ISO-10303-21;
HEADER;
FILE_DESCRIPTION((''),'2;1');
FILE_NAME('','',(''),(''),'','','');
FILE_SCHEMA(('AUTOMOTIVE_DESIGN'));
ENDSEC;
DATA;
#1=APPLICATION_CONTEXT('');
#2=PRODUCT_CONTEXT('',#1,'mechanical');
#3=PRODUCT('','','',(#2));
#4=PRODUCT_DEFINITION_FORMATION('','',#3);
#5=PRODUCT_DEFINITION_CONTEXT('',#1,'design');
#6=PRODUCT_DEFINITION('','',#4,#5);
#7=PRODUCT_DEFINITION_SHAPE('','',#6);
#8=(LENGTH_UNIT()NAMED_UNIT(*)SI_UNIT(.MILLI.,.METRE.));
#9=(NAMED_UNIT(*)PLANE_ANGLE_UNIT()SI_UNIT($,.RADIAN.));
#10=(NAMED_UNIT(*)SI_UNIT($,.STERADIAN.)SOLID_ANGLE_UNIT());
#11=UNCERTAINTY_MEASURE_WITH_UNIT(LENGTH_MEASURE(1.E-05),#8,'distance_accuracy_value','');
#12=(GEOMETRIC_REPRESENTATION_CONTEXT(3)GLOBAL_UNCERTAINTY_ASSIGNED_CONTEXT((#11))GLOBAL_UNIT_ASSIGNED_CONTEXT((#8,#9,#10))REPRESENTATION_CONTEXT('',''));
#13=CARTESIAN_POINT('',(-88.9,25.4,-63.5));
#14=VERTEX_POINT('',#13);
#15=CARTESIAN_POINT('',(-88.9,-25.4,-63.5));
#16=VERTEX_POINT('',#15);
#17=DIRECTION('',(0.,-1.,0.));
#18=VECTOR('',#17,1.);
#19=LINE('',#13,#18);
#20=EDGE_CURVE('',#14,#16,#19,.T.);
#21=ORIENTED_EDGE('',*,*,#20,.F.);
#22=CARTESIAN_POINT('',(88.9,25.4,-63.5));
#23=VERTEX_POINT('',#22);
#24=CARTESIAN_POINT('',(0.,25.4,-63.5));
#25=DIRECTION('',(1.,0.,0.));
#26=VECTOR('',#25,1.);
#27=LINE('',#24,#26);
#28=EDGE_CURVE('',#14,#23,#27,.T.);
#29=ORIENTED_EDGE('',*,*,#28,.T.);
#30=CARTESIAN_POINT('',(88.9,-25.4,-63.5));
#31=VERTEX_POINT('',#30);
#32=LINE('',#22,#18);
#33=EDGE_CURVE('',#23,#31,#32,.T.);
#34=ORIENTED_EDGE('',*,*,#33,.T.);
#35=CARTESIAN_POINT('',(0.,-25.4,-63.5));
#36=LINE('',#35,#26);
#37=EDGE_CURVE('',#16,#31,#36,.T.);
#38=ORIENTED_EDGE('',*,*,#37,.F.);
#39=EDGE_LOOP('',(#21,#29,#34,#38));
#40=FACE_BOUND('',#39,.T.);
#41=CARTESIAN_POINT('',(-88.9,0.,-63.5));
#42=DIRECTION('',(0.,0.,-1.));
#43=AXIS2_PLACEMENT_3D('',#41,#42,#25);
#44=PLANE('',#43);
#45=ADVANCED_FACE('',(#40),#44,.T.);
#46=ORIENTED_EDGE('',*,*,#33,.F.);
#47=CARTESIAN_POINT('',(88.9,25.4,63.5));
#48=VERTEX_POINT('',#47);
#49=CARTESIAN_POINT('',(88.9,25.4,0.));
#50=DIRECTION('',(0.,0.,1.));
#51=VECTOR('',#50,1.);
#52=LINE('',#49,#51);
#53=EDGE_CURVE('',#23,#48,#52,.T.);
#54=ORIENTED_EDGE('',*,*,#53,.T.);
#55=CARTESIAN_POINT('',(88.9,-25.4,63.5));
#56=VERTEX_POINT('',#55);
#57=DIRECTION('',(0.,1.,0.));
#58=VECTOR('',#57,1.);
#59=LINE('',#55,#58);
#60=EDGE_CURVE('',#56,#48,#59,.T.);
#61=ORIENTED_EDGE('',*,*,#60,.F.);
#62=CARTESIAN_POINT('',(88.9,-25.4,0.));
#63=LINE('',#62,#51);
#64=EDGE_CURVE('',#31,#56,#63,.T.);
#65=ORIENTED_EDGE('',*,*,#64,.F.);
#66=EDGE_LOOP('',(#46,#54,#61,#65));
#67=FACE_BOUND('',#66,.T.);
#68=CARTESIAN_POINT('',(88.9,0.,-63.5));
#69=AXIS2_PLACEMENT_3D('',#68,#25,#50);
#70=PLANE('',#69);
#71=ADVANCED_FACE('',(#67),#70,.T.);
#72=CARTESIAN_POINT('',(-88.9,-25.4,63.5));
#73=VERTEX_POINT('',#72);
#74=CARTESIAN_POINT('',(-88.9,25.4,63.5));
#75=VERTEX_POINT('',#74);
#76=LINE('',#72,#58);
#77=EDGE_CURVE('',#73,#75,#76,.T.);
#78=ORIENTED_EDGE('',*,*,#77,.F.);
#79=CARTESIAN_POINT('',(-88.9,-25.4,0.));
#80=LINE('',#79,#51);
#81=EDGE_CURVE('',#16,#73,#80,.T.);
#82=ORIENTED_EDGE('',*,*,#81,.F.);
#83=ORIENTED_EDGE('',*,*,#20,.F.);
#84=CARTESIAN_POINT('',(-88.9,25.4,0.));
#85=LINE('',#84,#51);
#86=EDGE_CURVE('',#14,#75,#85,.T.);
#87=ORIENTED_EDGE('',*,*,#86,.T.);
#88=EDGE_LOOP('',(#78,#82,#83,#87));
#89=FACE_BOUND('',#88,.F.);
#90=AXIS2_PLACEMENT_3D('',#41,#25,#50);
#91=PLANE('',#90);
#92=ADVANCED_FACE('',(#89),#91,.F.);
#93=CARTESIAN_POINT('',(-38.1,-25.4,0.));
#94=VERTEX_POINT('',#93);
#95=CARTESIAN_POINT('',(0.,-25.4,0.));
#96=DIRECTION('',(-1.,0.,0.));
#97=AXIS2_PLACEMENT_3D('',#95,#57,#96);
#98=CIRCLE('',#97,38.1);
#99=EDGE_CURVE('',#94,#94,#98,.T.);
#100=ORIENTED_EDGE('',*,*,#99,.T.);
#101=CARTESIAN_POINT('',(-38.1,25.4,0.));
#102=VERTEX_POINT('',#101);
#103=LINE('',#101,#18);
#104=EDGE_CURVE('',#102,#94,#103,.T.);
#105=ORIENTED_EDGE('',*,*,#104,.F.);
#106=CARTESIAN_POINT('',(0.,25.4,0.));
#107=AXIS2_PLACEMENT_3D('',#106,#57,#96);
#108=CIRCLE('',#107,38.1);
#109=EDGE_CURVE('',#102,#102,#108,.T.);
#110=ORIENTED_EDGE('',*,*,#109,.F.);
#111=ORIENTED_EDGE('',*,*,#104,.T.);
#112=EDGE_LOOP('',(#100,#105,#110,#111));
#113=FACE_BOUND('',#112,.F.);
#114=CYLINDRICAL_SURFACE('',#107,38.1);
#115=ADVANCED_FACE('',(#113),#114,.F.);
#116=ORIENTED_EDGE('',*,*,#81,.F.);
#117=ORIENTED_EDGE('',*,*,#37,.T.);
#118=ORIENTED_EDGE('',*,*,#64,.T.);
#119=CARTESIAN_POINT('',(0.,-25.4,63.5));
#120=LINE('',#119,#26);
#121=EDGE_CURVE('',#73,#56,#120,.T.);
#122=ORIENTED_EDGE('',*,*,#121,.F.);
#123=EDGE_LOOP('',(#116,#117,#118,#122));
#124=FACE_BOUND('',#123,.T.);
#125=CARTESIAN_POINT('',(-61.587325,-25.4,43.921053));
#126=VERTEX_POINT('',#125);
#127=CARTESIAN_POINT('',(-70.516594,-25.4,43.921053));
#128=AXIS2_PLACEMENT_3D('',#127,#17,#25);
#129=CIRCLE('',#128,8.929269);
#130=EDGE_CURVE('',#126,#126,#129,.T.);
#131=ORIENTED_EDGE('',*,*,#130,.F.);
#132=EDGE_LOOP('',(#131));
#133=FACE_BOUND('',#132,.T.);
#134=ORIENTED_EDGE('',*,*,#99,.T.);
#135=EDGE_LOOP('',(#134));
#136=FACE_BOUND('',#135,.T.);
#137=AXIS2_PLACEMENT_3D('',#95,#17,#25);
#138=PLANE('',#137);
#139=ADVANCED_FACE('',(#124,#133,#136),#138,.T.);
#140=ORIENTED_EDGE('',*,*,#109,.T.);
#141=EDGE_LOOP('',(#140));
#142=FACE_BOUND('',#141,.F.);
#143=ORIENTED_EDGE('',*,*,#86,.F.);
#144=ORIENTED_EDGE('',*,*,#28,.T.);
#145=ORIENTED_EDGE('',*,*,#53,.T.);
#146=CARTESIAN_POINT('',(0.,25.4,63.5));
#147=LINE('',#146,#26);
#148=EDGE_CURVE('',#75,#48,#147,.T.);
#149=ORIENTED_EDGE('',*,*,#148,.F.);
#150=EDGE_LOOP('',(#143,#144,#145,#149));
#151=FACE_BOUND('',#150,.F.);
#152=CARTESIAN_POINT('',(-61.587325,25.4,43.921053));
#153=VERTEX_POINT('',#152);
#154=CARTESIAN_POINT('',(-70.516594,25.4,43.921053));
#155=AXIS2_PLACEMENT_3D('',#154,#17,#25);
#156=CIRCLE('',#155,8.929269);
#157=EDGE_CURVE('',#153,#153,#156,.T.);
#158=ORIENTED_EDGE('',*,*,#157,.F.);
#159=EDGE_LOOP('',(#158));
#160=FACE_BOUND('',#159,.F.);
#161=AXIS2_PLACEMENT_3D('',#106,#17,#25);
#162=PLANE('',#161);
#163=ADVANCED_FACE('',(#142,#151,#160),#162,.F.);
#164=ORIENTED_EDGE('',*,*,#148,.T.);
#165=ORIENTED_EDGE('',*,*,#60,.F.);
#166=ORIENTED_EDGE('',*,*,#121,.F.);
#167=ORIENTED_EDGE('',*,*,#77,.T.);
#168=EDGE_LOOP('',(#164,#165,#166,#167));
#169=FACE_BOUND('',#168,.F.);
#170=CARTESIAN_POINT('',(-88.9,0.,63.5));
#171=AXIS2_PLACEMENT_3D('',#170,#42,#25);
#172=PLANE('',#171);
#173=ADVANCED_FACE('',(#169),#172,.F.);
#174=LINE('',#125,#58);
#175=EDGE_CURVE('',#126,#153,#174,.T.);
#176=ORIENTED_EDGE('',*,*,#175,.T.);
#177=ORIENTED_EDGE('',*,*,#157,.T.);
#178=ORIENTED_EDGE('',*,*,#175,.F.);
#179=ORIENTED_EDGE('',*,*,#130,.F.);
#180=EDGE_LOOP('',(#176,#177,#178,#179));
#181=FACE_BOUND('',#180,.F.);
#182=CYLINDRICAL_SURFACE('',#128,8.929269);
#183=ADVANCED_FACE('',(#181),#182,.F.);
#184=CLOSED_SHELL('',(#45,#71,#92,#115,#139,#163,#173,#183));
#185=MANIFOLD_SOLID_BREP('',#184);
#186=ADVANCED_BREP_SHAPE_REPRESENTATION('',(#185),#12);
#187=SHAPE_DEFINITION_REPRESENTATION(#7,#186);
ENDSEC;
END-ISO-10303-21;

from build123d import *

# Parameters (mm, degrees)
F0_W     = 177.8
F0_H     = 127
F1_DEPTH = 25.4
F2_R     = 38.1
F3_DEPTH = 50.801
F4_R     = 8.929269
F5_DEPTH = 50.801


with BuildPart() as f1:
    # F0 (on Front) → F1 (new body, symmetric)
    with BuildSketch(Plane.XZ):
        Rectangle(F0_W, F0_H)
    extrude(amount=F1_DEPTH, both=True)

    # F2 (on face) → F3 (cut, through all)
    with BuildSketch(Plane(origin=(0, 25.4, 0), x_dir=(-1, 0, 0), z_dir=(0, 1, 0))):
        Circle(F2_R)
    extrude(amount=-F3_DEPTH, mode=Mode.SUBTRACT)

    # F4 (on face) → F5 (cut, through all)
    with BuildSketch(Plane.XZ.offset(25.4)):
        with Locations((-70.516594, 43.921053)):
            Circle(F4_R)
    extrude(amount=-F5_DEPTH, mode=Mode.SUBTRACT)


solid = f1.part
